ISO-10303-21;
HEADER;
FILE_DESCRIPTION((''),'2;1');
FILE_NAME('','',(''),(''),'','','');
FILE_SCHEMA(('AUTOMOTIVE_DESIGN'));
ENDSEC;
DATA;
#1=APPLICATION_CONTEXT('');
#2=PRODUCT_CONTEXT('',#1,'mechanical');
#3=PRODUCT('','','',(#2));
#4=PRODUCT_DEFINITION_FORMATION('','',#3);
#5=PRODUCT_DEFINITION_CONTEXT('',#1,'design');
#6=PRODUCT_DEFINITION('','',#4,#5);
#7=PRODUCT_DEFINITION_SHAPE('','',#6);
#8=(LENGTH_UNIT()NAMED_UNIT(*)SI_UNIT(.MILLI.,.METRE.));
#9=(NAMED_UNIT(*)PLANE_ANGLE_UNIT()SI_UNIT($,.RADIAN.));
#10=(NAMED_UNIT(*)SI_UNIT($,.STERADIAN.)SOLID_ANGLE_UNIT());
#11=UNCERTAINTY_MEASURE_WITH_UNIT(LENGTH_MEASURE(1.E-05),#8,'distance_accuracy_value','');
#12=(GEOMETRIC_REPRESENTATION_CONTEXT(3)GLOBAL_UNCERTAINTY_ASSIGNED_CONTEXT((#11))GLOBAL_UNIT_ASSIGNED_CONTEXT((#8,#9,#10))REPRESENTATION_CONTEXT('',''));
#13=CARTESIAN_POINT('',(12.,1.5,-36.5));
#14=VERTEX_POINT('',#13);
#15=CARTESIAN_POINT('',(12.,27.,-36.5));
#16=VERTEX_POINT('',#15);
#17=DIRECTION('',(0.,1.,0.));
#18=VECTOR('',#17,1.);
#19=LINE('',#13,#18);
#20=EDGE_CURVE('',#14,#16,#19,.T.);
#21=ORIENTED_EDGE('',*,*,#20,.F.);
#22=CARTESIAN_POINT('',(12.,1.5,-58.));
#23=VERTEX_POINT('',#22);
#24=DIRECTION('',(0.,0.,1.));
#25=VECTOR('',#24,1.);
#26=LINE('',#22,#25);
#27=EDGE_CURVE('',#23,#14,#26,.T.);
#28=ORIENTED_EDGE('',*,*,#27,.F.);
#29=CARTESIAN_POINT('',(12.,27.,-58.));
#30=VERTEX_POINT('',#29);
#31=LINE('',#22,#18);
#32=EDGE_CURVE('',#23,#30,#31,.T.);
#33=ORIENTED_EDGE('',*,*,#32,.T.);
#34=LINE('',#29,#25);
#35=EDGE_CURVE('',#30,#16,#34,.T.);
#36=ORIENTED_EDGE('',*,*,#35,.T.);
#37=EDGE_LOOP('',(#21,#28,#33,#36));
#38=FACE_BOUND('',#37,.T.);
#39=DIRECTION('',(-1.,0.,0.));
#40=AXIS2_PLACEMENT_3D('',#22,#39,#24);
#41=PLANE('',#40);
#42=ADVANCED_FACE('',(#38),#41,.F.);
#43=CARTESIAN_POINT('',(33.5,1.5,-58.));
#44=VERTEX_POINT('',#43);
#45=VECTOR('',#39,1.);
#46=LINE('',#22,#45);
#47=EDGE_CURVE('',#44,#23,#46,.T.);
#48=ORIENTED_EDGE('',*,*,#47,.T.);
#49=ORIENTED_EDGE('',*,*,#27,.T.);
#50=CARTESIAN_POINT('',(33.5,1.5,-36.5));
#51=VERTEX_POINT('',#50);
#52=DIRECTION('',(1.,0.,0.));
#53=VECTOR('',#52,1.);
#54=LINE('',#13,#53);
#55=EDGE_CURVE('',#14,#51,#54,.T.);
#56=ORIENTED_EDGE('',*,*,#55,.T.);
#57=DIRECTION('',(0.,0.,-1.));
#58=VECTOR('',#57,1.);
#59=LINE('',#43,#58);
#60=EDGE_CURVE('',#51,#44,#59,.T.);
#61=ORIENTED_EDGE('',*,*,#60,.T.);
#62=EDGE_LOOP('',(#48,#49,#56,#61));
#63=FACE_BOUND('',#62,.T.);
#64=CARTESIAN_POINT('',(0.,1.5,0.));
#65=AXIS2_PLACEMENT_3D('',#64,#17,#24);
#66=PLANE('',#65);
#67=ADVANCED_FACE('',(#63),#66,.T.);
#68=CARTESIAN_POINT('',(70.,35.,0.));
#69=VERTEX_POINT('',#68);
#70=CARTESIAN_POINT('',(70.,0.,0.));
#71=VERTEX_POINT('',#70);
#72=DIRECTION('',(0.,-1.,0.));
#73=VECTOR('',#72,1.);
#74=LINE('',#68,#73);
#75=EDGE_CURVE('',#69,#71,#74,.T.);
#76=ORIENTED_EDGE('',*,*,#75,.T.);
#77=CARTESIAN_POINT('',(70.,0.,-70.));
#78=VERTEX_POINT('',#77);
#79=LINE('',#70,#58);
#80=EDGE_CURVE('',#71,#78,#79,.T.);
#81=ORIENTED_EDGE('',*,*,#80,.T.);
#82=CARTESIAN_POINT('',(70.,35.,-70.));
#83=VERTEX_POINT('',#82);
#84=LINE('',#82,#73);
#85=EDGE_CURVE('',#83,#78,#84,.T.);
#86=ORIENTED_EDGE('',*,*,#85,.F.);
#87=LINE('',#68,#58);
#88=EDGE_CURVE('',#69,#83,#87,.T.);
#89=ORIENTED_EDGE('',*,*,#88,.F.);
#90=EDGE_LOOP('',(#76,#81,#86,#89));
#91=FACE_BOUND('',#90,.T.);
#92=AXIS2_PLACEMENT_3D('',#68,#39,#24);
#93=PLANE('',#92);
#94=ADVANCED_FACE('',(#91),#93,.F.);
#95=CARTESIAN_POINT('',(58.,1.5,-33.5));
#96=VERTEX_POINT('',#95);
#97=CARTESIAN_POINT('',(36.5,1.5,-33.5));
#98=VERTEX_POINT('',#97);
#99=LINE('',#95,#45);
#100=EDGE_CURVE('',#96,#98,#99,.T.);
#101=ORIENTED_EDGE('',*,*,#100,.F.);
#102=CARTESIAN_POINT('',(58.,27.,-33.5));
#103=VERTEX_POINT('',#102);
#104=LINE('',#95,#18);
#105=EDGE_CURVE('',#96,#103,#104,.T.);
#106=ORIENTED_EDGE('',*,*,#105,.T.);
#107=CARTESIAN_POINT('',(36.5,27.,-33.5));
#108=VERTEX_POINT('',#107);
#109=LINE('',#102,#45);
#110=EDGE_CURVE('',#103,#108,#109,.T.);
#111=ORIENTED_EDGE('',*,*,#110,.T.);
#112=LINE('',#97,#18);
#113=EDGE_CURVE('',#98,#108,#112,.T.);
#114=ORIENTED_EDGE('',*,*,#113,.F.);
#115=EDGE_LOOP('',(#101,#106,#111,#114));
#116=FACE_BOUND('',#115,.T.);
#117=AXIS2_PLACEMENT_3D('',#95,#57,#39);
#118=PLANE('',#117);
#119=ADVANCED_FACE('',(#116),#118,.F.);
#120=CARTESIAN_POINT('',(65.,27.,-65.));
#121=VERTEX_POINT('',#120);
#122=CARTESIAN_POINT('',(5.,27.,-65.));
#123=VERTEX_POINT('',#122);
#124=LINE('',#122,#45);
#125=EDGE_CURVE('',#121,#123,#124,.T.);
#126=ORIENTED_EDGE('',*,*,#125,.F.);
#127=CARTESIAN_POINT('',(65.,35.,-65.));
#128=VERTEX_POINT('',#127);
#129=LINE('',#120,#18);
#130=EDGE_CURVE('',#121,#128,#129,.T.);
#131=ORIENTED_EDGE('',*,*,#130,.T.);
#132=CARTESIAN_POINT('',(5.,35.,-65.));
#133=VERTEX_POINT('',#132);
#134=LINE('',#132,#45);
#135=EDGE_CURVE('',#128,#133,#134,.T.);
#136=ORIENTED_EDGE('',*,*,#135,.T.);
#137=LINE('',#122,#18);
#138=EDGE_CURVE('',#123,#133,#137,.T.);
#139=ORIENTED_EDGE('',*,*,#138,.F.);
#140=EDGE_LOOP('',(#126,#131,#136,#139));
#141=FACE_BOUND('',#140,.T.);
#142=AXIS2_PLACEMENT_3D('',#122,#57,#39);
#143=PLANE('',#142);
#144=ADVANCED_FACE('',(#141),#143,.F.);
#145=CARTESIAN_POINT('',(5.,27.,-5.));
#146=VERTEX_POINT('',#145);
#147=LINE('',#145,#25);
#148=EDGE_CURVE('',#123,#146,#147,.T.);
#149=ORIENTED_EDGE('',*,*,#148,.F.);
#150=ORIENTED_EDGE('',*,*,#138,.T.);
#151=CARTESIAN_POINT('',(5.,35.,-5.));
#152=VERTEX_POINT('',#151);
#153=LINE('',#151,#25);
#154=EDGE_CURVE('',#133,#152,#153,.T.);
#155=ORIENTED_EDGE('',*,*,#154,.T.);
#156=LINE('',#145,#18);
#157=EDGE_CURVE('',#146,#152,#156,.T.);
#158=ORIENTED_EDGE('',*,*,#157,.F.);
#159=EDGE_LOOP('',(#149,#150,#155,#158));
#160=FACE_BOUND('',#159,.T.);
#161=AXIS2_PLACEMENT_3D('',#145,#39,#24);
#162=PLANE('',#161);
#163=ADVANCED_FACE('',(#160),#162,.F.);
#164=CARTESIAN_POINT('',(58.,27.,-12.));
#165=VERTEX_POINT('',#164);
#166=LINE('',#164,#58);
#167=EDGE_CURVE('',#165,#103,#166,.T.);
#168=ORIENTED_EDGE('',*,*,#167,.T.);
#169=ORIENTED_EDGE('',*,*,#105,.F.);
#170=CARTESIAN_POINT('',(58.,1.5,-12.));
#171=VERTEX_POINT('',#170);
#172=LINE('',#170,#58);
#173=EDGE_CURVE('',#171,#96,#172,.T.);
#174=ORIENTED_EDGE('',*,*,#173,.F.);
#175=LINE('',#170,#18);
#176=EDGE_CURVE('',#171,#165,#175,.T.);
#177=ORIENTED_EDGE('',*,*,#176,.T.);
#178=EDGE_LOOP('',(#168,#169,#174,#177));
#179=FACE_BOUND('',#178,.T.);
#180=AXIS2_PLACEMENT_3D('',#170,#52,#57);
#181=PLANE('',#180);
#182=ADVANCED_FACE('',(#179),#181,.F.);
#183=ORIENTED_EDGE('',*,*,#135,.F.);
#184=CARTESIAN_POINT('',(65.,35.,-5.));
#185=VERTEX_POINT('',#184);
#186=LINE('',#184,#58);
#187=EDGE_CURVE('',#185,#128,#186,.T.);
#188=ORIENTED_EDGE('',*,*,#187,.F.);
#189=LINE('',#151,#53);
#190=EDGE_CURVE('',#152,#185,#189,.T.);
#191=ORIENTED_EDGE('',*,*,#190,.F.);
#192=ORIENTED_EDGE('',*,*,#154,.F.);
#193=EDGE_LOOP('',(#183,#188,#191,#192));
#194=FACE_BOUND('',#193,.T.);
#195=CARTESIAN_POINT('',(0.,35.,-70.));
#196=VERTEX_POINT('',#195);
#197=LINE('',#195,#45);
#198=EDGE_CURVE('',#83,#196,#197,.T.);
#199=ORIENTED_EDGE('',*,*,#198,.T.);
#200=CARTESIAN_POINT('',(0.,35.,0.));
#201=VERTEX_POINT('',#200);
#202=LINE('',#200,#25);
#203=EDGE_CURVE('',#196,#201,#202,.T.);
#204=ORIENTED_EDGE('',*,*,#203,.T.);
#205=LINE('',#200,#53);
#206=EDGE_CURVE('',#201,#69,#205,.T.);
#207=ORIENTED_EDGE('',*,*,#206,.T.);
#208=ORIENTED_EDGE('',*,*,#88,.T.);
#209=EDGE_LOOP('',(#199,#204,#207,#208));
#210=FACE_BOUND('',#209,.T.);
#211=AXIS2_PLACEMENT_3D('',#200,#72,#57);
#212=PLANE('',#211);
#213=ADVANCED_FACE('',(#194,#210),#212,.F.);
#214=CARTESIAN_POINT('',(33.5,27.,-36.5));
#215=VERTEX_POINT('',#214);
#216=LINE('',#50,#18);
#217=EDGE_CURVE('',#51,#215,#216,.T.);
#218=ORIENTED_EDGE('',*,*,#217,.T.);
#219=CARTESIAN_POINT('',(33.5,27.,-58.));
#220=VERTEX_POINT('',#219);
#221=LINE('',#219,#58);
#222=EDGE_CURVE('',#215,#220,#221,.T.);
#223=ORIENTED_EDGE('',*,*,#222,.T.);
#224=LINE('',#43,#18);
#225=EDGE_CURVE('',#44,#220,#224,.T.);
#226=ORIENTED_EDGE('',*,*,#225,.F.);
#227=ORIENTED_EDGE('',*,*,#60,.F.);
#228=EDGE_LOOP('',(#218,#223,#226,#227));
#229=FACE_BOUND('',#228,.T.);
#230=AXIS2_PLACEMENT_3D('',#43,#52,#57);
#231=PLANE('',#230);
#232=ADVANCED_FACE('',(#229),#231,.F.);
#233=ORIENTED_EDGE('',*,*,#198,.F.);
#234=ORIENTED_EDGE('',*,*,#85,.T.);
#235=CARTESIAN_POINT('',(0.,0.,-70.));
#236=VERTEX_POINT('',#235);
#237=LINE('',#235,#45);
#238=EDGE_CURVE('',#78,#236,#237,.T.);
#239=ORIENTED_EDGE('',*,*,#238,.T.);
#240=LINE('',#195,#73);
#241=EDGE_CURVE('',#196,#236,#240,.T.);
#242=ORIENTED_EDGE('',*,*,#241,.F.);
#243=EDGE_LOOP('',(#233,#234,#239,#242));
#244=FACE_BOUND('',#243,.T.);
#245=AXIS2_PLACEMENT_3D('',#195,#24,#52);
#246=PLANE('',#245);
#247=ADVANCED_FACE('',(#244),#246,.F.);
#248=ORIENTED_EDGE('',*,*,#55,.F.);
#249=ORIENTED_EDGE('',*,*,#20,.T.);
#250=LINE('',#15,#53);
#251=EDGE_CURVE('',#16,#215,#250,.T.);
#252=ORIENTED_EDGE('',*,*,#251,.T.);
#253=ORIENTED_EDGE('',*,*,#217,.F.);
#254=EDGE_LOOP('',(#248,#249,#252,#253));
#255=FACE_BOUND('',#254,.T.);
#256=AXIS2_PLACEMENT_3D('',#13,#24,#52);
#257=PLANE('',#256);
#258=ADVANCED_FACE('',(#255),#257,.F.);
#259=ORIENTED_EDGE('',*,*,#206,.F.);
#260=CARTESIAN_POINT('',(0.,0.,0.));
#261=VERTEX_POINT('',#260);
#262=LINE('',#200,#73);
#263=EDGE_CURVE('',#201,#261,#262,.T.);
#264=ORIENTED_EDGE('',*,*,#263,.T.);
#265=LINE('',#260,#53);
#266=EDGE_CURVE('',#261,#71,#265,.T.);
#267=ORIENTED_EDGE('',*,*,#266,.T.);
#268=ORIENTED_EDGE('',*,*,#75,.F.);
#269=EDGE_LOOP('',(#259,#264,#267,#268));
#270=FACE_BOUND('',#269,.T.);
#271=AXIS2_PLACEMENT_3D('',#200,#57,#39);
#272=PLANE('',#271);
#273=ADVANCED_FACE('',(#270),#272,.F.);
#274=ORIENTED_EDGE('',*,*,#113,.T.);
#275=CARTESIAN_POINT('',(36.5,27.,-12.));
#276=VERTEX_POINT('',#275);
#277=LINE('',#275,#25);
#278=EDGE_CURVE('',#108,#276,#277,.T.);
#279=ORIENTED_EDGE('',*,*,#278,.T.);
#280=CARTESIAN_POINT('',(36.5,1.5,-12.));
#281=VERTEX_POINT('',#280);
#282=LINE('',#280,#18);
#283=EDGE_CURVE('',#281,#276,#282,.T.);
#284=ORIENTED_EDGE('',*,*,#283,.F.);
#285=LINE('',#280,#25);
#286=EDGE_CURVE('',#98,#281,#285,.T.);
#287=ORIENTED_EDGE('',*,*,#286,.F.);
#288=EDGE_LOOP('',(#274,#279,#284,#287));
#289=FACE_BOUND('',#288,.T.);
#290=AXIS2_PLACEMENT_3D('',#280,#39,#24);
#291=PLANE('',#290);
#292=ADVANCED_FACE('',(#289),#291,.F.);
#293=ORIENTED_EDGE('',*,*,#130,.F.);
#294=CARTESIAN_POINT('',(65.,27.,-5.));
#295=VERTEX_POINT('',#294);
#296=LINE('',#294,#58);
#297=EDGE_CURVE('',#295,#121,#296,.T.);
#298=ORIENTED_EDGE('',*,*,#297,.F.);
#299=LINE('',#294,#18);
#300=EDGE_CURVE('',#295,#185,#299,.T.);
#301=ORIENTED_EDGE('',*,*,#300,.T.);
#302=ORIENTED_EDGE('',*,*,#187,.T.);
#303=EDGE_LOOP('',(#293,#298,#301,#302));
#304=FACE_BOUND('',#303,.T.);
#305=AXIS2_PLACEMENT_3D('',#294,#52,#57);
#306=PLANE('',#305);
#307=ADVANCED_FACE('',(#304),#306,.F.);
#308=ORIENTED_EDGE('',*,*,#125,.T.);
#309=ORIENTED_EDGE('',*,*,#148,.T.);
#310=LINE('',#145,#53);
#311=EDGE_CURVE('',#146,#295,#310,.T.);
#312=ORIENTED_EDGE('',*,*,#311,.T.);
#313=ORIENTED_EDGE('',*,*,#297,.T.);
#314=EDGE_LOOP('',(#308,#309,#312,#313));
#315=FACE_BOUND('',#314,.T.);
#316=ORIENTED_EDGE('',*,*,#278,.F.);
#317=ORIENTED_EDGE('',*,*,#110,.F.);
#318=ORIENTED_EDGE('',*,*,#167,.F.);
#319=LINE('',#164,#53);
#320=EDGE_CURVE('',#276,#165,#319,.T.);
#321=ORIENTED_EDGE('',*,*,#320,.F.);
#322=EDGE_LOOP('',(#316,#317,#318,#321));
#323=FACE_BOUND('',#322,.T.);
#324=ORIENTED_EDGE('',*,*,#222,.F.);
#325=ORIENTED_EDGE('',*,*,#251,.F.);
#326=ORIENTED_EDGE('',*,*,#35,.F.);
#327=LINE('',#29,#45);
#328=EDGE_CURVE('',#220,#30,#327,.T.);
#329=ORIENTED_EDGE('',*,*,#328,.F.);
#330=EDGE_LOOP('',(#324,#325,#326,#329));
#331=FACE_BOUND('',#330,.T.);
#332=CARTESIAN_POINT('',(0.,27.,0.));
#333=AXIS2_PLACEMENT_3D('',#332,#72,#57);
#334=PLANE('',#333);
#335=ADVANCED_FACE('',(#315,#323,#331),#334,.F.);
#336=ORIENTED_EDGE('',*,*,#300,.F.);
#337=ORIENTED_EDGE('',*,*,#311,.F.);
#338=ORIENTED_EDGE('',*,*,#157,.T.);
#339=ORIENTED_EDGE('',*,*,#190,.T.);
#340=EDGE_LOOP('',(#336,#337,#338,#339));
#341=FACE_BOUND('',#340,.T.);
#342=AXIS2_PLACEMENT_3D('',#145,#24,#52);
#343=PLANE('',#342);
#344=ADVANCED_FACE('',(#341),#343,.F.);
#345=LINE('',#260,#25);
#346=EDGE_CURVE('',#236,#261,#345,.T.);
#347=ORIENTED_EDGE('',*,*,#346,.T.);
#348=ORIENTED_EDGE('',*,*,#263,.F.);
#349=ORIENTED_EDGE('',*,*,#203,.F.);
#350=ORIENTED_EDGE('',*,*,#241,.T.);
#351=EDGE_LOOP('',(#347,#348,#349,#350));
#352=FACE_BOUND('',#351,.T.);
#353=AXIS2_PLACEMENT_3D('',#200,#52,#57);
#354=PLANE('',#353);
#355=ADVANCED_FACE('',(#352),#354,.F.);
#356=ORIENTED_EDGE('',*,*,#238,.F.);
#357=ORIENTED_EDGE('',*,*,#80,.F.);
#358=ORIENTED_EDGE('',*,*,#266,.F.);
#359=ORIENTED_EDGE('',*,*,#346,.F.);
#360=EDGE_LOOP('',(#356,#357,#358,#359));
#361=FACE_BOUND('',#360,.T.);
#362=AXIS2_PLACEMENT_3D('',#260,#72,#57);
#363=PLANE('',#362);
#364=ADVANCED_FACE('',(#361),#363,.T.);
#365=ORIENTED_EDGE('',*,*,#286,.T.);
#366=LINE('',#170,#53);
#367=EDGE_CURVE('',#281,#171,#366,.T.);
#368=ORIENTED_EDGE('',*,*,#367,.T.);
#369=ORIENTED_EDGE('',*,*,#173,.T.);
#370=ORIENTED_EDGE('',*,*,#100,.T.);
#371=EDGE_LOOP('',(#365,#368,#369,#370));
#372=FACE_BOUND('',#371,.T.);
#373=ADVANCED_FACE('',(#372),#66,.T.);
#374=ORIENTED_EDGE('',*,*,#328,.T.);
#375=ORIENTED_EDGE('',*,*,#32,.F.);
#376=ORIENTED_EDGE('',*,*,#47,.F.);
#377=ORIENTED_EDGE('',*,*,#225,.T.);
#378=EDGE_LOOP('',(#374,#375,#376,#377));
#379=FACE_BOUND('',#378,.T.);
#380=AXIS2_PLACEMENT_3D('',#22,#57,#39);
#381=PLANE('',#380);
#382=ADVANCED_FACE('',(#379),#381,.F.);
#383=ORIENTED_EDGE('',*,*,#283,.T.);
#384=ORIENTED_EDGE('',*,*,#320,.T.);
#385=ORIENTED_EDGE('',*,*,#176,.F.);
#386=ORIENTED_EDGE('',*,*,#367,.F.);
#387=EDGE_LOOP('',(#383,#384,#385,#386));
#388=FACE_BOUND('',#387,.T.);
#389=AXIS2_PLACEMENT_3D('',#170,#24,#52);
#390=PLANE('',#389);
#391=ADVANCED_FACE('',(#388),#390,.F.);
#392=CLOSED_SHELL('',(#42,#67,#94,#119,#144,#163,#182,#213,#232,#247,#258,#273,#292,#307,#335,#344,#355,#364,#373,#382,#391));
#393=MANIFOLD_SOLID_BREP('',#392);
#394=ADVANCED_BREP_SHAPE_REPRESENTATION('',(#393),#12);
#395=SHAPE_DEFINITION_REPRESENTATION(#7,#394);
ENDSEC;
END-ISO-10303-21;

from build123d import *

# Parameters (mm, degrees)
SKETCH1_W           = 70
SKETCH1_H           = 70
BOSS_EXTRUDE1_DEPTH = 35
SKETCH2_W           = 60
SKETCH2_H           = 60
CUT_EXTRUDE1_DEPTH  = 8
SKETCH3_W           = 21.5
SKETCH3_H           = 21.5
CUT_EXTRUDE2_DEPTH  = 25.5


with BuildPart() as part:
    # Sketch1 → Boss-Extrude1 (new body)
    with BuildSketch(Plane(origin=(0, 0, 0), x_dir=(1, 0, 0), z_dir=(0, 1, 0))):
        with Locations((35, 35)):
            Rectangle(SKETCH1_W, SKETCH1_H)
    extrude(amount=BOSS_EXTRUDE1_DEPTH)

    # Sketch2 → Cut-Extrude1 (cut)
    with BuildSketch(Plane(origin=(0, 35, 0), x_dir=(1, 0, 0), z_dir=(0, 1, 0))):
        with Locations((35, 35)):
            Rectangle(SKETCH2_W, SKETCH2_H)
    extrude(amount=-CUT_EXTRUDE1_DEPTH, mode=Mode.SUBTRACT)

    # Sketch3 → Cut-Extrude2 (cut)
    with BuildSketch(Plane(origin=(0, 27, 0), x_dir=(1, 0, 0), z_dir=(0, 1, 0))):
        with Locations((22.75, 47.25)):
            Rectangle(SKETCH3_W, SKETCH3_H)
        with Locations((47.25, 22.75)):
            Rectangle(SKETCH3_W, SKETCH3_H)
    extrude(amount=-CUT_EXTRUDE2_DEPTH, mode=Mode.SUBTRACT)


solid = part.part
